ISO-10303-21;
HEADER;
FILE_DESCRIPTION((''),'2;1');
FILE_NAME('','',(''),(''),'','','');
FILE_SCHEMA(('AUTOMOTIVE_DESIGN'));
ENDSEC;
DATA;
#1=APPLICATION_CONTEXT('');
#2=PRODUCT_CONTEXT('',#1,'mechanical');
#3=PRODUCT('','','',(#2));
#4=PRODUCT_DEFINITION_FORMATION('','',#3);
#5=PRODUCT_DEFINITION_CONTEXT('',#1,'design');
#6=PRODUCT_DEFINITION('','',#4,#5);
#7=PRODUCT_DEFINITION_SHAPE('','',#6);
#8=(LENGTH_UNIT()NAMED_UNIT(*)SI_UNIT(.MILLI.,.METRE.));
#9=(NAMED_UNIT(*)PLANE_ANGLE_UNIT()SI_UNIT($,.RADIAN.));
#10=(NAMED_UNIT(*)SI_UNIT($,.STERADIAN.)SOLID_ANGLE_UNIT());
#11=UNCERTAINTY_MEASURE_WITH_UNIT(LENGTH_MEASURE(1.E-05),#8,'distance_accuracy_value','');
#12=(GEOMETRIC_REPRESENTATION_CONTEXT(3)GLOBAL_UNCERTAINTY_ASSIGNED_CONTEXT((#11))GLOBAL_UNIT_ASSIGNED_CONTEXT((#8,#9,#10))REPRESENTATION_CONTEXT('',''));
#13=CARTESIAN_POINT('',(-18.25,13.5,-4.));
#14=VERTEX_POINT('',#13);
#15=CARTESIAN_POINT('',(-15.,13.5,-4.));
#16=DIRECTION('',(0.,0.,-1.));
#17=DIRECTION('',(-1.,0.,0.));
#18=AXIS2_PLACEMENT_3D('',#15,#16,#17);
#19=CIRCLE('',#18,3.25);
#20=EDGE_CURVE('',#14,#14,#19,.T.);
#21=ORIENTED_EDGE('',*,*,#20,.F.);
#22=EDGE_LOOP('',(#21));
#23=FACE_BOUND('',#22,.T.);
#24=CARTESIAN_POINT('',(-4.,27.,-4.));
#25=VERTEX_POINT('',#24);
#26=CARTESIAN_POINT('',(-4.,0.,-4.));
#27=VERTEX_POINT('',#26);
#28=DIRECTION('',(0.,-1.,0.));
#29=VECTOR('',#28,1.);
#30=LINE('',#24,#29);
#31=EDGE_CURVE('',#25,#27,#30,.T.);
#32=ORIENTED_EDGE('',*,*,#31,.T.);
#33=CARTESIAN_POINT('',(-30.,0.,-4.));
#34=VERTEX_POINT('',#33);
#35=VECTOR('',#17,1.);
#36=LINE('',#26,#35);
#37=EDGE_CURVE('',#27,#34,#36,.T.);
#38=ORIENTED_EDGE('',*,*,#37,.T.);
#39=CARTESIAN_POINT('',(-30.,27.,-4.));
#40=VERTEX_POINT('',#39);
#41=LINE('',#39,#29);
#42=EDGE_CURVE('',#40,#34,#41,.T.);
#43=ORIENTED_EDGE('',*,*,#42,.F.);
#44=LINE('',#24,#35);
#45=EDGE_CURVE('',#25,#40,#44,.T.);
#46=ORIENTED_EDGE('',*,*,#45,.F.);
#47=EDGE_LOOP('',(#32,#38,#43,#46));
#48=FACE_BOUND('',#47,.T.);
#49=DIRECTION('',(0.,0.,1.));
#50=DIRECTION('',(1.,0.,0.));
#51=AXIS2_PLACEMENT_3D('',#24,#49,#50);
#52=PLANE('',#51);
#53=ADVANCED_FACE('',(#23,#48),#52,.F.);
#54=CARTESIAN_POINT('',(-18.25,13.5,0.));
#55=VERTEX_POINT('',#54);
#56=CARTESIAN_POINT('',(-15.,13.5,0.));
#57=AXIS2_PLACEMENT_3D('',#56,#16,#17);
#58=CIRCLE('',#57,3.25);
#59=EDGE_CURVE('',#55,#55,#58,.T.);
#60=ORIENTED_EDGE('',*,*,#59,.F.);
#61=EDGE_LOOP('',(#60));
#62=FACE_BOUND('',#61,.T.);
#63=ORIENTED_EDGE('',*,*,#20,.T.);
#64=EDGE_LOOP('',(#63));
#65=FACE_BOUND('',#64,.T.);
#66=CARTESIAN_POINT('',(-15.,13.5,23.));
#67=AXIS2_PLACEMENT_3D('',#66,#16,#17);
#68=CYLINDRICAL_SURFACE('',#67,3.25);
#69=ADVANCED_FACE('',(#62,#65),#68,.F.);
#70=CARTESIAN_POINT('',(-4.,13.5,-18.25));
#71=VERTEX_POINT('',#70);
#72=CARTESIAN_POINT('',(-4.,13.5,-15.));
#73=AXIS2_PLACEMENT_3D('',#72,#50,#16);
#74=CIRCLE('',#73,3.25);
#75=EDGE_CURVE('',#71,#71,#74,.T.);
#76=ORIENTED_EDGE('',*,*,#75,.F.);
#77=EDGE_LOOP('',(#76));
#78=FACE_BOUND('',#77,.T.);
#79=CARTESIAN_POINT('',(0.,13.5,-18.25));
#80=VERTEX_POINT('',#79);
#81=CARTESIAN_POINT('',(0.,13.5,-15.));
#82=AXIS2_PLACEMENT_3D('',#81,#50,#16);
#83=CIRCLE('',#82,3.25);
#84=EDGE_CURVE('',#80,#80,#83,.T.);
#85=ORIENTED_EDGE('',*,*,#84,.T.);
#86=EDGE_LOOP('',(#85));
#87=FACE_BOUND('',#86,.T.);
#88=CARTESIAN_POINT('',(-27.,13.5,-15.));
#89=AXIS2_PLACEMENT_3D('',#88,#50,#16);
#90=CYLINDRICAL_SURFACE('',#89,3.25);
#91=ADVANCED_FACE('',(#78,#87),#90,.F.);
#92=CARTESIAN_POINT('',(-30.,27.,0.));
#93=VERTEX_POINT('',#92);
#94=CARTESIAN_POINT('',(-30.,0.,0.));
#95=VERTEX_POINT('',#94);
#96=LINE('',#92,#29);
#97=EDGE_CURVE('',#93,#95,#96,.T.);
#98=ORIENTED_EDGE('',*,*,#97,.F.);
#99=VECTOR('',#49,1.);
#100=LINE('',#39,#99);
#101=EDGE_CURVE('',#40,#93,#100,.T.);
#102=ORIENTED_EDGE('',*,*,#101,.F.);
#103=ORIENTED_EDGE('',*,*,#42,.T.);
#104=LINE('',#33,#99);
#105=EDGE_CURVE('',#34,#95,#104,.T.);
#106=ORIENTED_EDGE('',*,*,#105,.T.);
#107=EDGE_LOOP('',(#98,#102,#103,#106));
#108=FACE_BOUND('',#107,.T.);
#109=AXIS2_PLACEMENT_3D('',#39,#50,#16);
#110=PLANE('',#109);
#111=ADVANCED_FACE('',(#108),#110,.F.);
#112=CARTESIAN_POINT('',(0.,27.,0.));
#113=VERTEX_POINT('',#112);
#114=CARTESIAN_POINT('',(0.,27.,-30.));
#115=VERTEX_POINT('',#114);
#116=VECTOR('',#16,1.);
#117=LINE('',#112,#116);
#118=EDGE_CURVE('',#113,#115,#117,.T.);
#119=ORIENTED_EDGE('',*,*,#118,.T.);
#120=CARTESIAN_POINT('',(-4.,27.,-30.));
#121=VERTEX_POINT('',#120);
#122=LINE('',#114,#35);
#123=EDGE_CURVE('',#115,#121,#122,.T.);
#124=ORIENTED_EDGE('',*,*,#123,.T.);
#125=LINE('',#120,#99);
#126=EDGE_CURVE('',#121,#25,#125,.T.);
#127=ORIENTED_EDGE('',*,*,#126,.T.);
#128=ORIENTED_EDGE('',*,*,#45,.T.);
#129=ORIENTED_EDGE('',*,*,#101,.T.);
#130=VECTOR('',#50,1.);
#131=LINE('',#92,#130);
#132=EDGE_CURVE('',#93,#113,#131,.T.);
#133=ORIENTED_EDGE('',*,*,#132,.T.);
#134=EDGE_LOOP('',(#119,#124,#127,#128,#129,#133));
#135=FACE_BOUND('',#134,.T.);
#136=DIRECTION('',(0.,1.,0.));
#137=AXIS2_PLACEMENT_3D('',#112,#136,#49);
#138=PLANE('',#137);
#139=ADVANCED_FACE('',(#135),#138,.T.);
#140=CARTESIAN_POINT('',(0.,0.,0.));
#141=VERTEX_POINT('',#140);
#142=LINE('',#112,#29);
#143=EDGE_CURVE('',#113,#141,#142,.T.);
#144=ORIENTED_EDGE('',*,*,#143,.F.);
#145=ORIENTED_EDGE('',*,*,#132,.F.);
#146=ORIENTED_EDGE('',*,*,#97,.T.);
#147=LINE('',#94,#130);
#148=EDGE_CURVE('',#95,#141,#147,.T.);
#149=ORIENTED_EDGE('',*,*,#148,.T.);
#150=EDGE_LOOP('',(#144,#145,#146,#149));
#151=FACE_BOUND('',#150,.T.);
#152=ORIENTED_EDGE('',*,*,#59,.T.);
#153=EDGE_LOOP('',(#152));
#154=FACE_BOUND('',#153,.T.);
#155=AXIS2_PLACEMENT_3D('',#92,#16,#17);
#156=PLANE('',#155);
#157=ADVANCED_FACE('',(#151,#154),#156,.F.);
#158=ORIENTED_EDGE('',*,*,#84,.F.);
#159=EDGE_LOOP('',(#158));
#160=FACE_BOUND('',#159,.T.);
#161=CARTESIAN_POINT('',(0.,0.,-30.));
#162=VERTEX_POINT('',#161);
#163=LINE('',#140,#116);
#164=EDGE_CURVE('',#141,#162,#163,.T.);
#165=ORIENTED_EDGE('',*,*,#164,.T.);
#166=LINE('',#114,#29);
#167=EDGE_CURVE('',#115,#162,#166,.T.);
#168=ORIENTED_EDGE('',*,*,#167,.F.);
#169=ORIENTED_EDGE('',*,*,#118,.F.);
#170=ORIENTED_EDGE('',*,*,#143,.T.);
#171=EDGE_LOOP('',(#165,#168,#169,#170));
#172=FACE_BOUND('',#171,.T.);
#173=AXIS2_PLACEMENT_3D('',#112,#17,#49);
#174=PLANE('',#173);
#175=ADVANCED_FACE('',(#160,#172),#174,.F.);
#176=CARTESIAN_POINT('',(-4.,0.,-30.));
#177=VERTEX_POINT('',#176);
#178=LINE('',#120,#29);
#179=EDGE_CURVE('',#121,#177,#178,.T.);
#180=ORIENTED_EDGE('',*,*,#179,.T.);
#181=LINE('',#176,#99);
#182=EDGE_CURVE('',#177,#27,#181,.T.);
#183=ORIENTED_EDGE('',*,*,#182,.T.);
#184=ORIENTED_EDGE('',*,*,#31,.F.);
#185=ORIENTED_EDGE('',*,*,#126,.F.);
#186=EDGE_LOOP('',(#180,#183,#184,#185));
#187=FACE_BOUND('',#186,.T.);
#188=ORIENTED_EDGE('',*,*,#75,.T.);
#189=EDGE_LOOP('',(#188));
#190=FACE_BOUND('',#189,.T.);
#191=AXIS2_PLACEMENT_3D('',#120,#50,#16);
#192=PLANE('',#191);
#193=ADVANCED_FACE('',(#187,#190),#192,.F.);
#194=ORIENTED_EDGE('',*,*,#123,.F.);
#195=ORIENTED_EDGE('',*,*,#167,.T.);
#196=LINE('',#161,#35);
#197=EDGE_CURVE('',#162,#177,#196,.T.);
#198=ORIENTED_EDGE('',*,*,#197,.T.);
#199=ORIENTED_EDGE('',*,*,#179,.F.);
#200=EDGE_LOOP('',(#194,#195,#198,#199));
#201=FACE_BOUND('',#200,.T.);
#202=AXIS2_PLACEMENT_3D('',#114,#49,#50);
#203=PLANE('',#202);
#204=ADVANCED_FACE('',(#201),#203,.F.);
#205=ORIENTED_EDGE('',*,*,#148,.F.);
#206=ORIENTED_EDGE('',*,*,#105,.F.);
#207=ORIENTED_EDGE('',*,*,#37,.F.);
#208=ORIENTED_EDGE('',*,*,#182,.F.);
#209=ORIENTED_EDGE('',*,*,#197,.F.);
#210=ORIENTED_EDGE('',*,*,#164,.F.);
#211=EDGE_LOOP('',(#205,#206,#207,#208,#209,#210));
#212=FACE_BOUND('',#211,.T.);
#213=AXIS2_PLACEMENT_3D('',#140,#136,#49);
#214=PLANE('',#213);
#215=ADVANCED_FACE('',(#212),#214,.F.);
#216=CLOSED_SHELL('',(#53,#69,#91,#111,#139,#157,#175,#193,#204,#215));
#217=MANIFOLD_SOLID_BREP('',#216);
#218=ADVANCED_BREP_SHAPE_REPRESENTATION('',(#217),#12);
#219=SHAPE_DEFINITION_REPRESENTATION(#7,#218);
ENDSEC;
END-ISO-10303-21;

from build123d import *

# Parameters (mm, degrees)
EXTRUDE_1_DEPTH     = 27
SKETCH_2_R          = 3.25
CUT_EXTRUDE_1_DEPTH = 27
SKETCH_3_R          = 3.25
CUT_EXTRUDE_2_DEPTH = 27


with BuildPart() as part:
    # 草图1 → 凸台-拉伸1 (new body)
    with BuildSketch(Plane(origin=(0, 0, 0), x_dir=(1, 0, 0), z_dir=(0, 1, 0))):
        Polygon((0, 0), (0, 30), (-4, 30), (-4, 4), (-30, 4), (-30, 0), align=None)
    extrude(amount=EXTRUDE_1_DEPTH)

    # 草图2 → 切除-拉伸1 (cut)
    with BuildSketch(Plane(origin=(0, 0, -4), x_dir=(-1, 0, 0), z_dir=(0, 0, -1))):
        with Locations((15, 13.5)):
            Circle(SKETCH_2_R)
    extrude(amount=-CUT_EXTRUDE_1_DEPTH, mode=Mode.SUBTRACT)

    # 草图3 → 切除-拉伸2 (cut)
    with BuildSketch(Plane(origin=(0, 0, 0), x_dir=(0, 0, -1), z_dir=(1, 0, 0))):
        with Locations((15, 13.5)):
            Circle(SKETCH_3_R)
    extrude(amount=-CUT_EXTRUDE_2_DEPTH, mode=Mode.SUBTRACT)


solid = part.part
